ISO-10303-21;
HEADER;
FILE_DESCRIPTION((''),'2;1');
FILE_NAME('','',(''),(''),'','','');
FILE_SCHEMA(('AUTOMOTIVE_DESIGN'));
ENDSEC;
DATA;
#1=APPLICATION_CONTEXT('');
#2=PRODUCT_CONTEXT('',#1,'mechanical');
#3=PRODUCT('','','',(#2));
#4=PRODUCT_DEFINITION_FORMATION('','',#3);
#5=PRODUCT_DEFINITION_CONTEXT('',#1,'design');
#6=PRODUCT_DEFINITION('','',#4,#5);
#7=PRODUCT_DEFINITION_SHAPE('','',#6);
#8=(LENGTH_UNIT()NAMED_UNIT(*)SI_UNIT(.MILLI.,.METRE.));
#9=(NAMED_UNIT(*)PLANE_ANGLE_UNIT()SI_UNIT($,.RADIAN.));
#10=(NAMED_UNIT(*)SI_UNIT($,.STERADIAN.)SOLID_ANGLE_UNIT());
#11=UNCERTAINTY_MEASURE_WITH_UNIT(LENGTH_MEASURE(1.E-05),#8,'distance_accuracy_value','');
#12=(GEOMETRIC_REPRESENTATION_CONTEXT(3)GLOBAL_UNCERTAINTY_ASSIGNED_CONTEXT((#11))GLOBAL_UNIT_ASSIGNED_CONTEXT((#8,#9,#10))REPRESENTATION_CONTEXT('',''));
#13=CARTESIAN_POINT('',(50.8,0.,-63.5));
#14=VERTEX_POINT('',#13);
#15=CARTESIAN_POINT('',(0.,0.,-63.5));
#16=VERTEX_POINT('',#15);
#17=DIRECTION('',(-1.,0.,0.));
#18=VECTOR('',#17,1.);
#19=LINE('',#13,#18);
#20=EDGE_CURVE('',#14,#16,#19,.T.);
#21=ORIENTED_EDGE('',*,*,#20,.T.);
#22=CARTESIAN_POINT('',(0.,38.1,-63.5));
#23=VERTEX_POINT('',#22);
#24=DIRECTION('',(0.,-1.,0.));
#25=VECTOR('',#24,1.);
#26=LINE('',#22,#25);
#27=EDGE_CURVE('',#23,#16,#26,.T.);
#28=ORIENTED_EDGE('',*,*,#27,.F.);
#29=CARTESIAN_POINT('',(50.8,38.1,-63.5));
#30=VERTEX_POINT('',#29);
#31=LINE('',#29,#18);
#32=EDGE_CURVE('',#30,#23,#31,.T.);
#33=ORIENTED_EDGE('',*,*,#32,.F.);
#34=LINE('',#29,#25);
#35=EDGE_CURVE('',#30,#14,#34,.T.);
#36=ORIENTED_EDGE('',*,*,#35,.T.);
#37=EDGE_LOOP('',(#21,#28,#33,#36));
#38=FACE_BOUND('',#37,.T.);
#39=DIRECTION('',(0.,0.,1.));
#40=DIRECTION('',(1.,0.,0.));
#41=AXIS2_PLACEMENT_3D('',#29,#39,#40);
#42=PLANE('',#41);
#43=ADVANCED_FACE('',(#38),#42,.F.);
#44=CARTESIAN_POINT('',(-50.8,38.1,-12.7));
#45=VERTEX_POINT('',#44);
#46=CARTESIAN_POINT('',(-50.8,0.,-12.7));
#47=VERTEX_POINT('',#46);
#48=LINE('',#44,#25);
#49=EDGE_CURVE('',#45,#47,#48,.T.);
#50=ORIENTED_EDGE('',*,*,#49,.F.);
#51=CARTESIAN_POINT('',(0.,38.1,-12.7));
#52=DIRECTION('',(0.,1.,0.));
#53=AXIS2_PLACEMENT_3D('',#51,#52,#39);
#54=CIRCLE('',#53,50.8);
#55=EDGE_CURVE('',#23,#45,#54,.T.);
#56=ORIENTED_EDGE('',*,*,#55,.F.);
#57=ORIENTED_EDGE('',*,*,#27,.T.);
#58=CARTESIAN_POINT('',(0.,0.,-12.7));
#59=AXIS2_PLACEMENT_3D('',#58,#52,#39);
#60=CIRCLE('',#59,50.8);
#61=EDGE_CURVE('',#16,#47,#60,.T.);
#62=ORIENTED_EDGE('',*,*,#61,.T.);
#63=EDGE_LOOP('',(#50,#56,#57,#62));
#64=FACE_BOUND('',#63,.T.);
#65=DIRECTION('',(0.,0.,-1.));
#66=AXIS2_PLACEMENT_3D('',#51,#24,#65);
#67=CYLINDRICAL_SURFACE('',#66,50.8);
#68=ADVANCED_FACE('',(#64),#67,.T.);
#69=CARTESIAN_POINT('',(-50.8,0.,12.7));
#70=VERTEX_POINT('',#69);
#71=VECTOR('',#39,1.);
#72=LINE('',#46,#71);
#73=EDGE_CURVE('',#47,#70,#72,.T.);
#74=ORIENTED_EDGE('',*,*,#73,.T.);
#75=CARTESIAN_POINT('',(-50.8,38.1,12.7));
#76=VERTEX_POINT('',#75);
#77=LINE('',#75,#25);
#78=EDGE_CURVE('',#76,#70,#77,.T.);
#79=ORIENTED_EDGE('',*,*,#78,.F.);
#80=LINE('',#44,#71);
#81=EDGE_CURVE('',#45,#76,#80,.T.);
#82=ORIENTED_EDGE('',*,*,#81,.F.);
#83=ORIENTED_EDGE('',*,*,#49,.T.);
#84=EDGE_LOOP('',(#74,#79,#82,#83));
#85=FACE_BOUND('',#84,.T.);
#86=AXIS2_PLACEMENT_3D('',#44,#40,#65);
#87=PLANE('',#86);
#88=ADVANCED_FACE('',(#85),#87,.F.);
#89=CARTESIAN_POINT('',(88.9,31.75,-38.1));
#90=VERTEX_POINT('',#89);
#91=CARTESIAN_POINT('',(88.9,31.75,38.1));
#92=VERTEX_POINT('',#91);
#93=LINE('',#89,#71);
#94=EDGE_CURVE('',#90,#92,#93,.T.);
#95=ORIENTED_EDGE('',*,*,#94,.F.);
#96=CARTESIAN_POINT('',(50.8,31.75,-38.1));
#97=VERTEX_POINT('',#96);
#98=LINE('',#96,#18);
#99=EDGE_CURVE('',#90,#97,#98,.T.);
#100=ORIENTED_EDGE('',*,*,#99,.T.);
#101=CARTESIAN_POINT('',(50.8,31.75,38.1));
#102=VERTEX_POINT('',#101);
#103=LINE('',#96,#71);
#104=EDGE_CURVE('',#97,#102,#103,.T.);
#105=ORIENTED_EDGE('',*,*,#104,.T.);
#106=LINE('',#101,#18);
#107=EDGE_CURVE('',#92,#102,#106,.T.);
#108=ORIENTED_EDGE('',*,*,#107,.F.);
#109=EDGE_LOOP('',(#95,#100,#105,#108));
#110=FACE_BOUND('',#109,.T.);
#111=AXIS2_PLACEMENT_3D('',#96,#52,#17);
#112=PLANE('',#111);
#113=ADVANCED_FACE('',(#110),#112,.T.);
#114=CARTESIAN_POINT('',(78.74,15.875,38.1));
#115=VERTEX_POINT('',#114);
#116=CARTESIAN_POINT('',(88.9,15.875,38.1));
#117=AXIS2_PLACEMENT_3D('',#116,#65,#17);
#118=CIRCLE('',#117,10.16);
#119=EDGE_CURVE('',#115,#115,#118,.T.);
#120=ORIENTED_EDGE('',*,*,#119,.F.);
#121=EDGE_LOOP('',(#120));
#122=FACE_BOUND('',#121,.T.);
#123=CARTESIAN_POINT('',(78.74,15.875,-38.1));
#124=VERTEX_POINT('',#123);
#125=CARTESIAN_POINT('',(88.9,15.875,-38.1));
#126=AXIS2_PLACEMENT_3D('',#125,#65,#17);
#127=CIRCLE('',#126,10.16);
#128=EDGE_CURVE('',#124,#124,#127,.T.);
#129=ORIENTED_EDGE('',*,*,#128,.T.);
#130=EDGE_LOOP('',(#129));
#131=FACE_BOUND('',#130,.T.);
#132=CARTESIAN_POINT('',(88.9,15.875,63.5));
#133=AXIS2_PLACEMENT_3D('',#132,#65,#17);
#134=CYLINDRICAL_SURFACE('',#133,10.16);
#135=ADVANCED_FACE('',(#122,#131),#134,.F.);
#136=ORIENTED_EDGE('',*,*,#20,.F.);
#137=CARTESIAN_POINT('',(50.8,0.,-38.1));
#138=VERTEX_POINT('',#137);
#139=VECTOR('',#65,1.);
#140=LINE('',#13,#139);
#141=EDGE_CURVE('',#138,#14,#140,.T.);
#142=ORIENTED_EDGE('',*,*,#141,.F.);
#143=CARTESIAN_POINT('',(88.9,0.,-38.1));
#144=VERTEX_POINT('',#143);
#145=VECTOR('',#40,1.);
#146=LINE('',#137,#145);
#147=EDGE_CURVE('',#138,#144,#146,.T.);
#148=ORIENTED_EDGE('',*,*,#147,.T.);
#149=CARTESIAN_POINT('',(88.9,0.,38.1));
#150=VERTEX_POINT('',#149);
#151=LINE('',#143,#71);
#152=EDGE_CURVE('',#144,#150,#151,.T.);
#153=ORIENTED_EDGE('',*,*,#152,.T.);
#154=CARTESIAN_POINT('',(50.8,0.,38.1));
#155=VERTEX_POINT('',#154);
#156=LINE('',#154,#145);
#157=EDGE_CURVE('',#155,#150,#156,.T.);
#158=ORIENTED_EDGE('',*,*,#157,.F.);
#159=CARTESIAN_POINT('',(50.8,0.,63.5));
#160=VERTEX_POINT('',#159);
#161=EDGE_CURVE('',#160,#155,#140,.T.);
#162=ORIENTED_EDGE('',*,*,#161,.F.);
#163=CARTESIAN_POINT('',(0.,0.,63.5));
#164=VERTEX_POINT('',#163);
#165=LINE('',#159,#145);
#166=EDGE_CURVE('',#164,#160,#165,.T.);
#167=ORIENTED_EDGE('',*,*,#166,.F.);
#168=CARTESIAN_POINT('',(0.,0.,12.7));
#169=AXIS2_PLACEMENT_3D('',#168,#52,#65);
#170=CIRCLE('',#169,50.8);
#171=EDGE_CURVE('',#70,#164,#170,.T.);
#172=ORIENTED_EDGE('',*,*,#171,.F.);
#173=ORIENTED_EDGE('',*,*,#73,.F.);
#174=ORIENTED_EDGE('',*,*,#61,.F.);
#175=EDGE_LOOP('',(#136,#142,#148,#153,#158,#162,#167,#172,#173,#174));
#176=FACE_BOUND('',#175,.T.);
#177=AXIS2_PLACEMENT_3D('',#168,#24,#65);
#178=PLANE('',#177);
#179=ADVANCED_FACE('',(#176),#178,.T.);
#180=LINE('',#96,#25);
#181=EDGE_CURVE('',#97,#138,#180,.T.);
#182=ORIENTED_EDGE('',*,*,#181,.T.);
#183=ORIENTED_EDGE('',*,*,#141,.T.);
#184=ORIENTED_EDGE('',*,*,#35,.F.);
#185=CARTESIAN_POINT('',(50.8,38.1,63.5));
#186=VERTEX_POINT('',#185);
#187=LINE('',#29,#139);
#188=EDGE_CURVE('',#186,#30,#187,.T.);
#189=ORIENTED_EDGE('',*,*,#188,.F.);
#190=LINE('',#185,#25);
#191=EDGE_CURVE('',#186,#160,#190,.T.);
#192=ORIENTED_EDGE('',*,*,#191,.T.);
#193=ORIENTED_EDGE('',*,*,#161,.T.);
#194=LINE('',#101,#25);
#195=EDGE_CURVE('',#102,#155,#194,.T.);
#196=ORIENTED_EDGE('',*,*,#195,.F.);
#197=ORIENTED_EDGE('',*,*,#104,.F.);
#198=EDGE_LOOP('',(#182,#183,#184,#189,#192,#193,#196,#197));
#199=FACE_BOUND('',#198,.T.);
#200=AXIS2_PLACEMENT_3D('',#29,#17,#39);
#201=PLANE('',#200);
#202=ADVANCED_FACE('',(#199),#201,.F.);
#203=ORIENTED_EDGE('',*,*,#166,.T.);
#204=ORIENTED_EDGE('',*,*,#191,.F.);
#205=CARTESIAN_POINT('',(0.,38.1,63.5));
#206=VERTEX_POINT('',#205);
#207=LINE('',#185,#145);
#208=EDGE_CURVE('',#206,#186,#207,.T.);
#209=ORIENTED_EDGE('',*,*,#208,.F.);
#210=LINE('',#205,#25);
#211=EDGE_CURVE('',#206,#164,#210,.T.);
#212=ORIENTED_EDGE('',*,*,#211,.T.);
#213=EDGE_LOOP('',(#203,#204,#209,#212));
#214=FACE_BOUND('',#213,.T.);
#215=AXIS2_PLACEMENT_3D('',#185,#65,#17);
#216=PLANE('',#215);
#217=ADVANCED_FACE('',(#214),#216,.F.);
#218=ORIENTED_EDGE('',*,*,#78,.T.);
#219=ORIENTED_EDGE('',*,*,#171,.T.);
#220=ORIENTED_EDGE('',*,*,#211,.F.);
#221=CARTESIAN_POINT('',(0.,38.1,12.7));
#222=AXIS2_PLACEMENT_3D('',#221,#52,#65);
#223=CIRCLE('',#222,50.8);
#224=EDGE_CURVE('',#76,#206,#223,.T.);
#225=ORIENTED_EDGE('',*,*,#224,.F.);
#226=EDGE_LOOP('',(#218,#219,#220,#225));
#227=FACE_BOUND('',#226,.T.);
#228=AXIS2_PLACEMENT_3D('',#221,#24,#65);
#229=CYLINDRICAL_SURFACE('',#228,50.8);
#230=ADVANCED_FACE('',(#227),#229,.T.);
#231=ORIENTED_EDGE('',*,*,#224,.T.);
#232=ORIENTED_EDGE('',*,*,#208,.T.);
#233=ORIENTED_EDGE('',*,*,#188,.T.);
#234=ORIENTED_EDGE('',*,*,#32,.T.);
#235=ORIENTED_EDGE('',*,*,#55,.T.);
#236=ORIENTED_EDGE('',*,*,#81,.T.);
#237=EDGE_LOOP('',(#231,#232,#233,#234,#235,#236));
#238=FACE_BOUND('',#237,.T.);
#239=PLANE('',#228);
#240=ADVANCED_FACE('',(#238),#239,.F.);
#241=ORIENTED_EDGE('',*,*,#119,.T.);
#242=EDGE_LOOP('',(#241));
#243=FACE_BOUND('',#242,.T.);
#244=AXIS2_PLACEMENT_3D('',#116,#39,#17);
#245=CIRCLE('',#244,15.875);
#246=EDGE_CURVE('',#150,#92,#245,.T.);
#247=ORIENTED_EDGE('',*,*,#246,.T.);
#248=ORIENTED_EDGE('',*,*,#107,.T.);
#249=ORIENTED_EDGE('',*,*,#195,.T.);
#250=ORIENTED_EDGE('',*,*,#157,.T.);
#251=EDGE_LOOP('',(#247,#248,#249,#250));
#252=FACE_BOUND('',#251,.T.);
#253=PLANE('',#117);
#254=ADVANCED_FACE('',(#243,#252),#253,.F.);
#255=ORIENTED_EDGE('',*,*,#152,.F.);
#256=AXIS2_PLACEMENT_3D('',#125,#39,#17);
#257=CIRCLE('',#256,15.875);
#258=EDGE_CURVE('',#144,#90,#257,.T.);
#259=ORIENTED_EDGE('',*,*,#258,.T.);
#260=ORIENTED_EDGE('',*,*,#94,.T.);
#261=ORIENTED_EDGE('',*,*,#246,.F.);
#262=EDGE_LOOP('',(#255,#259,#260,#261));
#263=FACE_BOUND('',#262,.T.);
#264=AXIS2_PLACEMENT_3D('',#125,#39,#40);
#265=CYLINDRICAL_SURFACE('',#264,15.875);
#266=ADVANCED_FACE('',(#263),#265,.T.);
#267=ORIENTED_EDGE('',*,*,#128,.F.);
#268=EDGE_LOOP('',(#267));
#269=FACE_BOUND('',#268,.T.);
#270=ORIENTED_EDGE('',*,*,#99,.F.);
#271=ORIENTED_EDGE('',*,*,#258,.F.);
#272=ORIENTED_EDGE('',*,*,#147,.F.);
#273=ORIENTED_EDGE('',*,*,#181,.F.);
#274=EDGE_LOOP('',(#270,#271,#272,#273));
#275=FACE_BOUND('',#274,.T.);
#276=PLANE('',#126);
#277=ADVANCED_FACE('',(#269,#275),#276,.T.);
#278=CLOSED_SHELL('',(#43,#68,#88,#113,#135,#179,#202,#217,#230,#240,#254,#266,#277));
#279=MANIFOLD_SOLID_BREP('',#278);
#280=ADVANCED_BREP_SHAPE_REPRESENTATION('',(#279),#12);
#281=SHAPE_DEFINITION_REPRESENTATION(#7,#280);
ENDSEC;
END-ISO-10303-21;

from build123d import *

# Parameters (mm, degrees)
BOSS_EXTRUDE1_DEPTH      = 38.1
BOSS_EXTRUDE2_DEPTH      = 38.1
BOSS_EXTRUDE2_DEPTH_BACK = 38.1
SKETCH3_R                = 10.16
CUT_EXTRUDE1_DEPTH       = 151.837563707


with BuildPart() as part:
    # Sketch1 → Boss-Extrude1 (new body)
    with BuildSketch(Plane(origin=(0, 0, 0), x_dir=(1, 0, 0), z_dir=(0, 1, 0))):
        with BuildLine():
            Line((50.8, 63.5), (0, 63.5))
            ThreePointArc((0, 63.5), (-35.921024484, 48.621024484), (-50.8, 12.7))
            Line((-50.8, 12.7), (-50.8, -12.7))
            ThreePointArc((-50.8, -12.7), (-35.921024484, -48.621024484), (0, -63.5))
            Line((0, -63.5), (50.8, -63.5))
            Line((50.8, -63.5), (50.8, 63.5))
        make_face()
    extrude(amount=BOSS_EXTRUDE1_DEPTH)

    # Sketch2 → Boss-Extrude2 (add, two sides: drawn at the far end of the back side and taken through both)
    with BuildSketch(Plane.XY.offset(-BOSS_EXTRUDE2_DEPTH_BACK)):
        with BuildLine():
            Line((50.8, 31.75), (88.9, 31.75))
            ThreePointArc((88.9, 31.75), (104.775, 15.875), (88.9, 0))
            Line((88.9, 0), (50.8, 0))
            Line((50.8, 0), (50.8, 31.75))
        make_face()
    extrude(amount=BOSS_EXTRUDE2_DEPTH + BOSS_EXTRUDE2_DEPTH_BACK)

    # Sketch3 → Cut-Extrude1 (cut, through all)
    with BuildSketch(Plane(origin=(0, 0, -38.1), x_dir=(-1, 0, 0), z_dir=(0, 0, -1))):
        with Locations((-88.9, 15.875)):
            Circle(SKETCH3_R)
    extrude(amount=-CUT_EXTRUDE1_DEPTH, mode=Mode.SUBTRACT)


solid = part.part
